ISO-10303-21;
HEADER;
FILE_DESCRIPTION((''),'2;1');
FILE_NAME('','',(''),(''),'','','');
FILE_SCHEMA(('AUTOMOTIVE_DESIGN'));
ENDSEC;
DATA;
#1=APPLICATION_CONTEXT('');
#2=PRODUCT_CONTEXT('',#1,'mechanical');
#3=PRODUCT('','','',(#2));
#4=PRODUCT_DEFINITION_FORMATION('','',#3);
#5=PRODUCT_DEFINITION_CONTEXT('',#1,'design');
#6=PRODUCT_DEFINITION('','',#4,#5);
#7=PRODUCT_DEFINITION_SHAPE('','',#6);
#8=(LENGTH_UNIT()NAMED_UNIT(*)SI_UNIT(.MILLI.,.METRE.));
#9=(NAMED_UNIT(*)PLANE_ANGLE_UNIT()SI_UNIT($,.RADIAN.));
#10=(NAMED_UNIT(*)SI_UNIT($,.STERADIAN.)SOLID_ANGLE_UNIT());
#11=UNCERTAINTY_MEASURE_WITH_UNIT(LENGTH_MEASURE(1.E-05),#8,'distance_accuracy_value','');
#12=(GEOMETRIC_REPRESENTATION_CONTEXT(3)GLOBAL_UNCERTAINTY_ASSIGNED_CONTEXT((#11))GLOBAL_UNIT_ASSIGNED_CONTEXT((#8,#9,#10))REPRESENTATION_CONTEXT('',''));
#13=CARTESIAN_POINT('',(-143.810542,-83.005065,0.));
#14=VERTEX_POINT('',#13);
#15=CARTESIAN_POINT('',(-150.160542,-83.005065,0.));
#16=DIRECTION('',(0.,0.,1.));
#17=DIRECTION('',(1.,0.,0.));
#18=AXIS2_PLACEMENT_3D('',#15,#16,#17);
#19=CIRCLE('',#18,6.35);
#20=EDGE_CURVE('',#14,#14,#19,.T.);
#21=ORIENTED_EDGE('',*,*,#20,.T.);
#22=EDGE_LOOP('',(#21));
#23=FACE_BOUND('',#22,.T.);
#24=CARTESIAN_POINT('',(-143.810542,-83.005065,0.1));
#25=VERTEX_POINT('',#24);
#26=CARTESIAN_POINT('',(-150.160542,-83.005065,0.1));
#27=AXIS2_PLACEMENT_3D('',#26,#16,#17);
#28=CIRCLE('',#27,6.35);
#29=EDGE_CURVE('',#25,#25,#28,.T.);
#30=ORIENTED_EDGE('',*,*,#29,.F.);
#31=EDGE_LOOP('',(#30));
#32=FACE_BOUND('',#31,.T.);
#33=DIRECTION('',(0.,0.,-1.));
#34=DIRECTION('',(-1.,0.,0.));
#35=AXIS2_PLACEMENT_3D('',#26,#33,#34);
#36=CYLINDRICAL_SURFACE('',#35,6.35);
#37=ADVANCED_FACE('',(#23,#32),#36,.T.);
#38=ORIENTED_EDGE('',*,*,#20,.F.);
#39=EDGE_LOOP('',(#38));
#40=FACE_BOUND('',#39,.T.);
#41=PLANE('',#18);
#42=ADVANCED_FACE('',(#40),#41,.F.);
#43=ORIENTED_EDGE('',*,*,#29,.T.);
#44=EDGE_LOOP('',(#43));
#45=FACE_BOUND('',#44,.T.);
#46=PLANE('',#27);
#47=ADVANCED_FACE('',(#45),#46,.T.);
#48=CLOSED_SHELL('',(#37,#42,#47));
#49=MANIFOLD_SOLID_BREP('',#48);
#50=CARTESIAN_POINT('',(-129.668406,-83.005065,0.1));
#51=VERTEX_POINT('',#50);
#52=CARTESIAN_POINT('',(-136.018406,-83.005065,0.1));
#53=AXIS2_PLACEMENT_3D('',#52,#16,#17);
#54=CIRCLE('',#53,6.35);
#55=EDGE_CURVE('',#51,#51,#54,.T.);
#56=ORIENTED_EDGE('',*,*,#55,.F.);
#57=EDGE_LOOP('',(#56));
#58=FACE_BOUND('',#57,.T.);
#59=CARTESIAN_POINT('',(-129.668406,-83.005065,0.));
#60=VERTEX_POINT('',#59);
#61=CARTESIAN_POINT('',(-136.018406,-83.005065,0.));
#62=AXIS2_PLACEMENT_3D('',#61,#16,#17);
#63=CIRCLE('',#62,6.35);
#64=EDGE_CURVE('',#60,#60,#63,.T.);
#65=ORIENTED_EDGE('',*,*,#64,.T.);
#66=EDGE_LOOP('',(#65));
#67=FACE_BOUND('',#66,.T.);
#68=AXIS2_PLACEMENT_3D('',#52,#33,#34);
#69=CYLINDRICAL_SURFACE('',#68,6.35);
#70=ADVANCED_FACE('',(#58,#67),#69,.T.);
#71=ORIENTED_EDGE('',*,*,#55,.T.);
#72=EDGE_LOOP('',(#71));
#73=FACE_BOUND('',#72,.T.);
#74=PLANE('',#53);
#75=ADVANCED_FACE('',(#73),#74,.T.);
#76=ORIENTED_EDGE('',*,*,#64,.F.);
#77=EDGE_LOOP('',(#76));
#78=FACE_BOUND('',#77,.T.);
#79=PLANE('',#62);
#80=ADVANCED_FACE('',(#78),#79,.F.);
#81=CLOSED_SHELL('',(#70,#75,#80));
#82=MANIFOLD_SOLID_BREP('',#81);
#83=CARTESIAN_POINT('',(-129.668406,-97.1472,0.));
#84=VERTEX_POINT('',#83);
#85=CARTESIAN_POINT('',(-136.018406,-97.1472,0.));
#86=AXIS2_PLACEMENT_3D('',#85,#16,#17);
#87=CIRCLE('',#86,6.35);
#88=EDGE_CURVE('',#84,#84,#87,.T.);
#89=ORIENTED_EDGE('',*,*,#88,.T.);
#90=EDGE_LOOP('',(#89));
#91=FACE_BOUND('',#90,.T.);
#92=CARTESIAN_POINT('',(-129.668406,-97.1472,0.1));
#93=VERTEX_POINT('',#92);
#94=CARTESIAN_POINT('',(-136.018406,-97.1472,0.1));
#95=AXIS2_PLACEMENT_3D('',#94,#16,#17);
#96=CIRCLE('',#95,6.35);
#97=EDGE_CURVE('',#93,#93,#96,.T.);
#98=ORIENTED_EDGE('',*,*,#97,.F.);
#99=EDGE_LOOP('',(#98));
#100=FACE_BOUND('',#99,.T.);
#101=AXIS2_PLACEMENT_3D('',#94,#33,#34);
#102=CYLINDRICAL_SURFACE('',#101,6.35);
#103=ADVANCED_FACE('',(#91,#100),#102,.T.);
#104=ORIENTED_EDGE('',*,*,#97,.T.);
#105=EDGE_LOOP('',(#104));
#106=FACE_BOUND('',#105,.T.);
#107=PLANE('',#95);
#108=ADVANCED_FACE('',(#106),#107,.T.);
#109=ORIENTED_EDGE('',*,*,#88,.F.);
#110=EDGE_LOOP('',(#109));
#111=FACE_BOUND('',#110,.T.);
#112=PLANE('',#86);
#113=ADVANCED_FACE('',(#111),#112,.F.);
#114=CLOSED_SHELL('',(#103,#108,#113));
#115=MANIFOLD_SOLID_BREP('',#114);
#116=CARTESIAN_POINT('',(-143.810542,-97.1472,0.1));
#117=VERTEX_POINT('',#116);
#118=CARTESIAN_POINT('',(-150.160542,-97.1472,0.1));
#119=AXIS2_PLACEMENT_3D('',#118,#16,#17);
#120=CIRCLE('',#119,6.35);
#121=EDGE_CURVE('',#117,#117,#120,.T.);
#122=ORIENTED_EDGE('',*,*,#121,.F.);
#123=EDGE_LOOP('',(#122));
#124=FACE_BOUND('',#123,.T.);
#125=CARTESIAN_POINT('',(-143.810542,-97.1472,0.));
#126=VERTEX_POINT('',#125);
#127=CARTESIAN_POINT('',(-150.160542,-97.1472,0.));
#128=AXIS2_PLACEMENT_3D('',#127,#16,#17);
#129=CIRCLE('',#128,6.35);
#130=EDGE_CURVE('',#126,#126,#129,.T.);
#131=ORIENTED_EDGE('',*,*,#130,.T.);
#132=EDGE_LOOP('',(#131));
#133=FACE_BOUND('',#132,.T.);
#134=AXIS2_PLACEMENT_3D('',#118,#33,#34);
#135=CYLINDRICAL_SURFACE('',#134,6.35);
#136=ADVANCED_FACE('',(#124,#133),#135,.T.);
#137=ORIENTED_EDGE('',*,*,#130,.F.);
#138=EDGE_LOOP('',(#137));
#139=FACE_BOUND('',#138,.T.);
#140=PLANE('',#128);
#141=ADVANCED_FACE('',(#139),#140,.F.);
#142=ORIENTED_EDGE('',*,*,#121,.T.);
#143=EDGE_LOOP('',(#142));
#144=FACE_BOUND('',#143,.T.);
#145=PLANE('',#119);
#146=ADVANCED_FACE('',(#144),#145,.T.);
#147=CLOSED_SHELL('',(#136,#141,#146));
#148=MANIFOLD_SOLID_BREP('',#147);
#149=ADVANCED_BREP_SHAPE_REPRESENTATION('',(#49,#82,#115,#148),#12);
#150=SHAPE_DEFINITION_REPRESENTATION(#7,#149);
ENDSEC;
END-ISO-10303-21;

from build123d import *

# Parameters (mm, degrees)
SKETCH1_R             = 6.35
BOSS_EXTRUDE2_DEPTH   = 0.1
BOSS_EXTRUDE2_2_DEPTH = 0.1
BOSS_EXTRUDE2_3_DEPTH = 0.1
BOSS_EXTRUDE2_4_DEPTH = 0.1


with BuildPart() as part:
    # Sketch1 → Boss-Extrude2 (new body)
    with BuildSketch(Plane.XY):
        with Locations((-136.018406204, -83.005064822)):
            Circle(SKETCH1_R)
    extrude(amount=BOSS_EXTRUDE2_DEPTH)


with BuildPart() as body_2:
    # Sketch1 → Boss-Extrude2 2 (new body)
    with BuildSketch(Plane.XY):
        with Locations((-136.018406204, -97.147200445)):
            Circle(SKETCH1_R)
    extrude(amount=BOSS_EXTRUDE2_2_DEPTH)


with BuildPart() as body_3:
    # Sketch1 → Boss-Extrude2 3 (new body)
    with BuildSketch(Plane.XY):
        with Locations((-150.160541828, -97.147200445)):
            Circle(SKETCH1_R)
    extrude(amount=BOSS_EXTRUDE2_3_DEPTH)


with BuildPart() as body_4:
    # Sketch1 → Boss-Extrude2 4 (new body)
    with BuildSketch(Plane.XY):
        with Locations((-150.160541828, -83.005064822)):
            Circle(SKETCH1_R)
    extrude(amount=BOSS_EXTRUDE2_4_DEPTH)


solid = Compound([part.part, body_2.part, body_3.part, body_4.part])
